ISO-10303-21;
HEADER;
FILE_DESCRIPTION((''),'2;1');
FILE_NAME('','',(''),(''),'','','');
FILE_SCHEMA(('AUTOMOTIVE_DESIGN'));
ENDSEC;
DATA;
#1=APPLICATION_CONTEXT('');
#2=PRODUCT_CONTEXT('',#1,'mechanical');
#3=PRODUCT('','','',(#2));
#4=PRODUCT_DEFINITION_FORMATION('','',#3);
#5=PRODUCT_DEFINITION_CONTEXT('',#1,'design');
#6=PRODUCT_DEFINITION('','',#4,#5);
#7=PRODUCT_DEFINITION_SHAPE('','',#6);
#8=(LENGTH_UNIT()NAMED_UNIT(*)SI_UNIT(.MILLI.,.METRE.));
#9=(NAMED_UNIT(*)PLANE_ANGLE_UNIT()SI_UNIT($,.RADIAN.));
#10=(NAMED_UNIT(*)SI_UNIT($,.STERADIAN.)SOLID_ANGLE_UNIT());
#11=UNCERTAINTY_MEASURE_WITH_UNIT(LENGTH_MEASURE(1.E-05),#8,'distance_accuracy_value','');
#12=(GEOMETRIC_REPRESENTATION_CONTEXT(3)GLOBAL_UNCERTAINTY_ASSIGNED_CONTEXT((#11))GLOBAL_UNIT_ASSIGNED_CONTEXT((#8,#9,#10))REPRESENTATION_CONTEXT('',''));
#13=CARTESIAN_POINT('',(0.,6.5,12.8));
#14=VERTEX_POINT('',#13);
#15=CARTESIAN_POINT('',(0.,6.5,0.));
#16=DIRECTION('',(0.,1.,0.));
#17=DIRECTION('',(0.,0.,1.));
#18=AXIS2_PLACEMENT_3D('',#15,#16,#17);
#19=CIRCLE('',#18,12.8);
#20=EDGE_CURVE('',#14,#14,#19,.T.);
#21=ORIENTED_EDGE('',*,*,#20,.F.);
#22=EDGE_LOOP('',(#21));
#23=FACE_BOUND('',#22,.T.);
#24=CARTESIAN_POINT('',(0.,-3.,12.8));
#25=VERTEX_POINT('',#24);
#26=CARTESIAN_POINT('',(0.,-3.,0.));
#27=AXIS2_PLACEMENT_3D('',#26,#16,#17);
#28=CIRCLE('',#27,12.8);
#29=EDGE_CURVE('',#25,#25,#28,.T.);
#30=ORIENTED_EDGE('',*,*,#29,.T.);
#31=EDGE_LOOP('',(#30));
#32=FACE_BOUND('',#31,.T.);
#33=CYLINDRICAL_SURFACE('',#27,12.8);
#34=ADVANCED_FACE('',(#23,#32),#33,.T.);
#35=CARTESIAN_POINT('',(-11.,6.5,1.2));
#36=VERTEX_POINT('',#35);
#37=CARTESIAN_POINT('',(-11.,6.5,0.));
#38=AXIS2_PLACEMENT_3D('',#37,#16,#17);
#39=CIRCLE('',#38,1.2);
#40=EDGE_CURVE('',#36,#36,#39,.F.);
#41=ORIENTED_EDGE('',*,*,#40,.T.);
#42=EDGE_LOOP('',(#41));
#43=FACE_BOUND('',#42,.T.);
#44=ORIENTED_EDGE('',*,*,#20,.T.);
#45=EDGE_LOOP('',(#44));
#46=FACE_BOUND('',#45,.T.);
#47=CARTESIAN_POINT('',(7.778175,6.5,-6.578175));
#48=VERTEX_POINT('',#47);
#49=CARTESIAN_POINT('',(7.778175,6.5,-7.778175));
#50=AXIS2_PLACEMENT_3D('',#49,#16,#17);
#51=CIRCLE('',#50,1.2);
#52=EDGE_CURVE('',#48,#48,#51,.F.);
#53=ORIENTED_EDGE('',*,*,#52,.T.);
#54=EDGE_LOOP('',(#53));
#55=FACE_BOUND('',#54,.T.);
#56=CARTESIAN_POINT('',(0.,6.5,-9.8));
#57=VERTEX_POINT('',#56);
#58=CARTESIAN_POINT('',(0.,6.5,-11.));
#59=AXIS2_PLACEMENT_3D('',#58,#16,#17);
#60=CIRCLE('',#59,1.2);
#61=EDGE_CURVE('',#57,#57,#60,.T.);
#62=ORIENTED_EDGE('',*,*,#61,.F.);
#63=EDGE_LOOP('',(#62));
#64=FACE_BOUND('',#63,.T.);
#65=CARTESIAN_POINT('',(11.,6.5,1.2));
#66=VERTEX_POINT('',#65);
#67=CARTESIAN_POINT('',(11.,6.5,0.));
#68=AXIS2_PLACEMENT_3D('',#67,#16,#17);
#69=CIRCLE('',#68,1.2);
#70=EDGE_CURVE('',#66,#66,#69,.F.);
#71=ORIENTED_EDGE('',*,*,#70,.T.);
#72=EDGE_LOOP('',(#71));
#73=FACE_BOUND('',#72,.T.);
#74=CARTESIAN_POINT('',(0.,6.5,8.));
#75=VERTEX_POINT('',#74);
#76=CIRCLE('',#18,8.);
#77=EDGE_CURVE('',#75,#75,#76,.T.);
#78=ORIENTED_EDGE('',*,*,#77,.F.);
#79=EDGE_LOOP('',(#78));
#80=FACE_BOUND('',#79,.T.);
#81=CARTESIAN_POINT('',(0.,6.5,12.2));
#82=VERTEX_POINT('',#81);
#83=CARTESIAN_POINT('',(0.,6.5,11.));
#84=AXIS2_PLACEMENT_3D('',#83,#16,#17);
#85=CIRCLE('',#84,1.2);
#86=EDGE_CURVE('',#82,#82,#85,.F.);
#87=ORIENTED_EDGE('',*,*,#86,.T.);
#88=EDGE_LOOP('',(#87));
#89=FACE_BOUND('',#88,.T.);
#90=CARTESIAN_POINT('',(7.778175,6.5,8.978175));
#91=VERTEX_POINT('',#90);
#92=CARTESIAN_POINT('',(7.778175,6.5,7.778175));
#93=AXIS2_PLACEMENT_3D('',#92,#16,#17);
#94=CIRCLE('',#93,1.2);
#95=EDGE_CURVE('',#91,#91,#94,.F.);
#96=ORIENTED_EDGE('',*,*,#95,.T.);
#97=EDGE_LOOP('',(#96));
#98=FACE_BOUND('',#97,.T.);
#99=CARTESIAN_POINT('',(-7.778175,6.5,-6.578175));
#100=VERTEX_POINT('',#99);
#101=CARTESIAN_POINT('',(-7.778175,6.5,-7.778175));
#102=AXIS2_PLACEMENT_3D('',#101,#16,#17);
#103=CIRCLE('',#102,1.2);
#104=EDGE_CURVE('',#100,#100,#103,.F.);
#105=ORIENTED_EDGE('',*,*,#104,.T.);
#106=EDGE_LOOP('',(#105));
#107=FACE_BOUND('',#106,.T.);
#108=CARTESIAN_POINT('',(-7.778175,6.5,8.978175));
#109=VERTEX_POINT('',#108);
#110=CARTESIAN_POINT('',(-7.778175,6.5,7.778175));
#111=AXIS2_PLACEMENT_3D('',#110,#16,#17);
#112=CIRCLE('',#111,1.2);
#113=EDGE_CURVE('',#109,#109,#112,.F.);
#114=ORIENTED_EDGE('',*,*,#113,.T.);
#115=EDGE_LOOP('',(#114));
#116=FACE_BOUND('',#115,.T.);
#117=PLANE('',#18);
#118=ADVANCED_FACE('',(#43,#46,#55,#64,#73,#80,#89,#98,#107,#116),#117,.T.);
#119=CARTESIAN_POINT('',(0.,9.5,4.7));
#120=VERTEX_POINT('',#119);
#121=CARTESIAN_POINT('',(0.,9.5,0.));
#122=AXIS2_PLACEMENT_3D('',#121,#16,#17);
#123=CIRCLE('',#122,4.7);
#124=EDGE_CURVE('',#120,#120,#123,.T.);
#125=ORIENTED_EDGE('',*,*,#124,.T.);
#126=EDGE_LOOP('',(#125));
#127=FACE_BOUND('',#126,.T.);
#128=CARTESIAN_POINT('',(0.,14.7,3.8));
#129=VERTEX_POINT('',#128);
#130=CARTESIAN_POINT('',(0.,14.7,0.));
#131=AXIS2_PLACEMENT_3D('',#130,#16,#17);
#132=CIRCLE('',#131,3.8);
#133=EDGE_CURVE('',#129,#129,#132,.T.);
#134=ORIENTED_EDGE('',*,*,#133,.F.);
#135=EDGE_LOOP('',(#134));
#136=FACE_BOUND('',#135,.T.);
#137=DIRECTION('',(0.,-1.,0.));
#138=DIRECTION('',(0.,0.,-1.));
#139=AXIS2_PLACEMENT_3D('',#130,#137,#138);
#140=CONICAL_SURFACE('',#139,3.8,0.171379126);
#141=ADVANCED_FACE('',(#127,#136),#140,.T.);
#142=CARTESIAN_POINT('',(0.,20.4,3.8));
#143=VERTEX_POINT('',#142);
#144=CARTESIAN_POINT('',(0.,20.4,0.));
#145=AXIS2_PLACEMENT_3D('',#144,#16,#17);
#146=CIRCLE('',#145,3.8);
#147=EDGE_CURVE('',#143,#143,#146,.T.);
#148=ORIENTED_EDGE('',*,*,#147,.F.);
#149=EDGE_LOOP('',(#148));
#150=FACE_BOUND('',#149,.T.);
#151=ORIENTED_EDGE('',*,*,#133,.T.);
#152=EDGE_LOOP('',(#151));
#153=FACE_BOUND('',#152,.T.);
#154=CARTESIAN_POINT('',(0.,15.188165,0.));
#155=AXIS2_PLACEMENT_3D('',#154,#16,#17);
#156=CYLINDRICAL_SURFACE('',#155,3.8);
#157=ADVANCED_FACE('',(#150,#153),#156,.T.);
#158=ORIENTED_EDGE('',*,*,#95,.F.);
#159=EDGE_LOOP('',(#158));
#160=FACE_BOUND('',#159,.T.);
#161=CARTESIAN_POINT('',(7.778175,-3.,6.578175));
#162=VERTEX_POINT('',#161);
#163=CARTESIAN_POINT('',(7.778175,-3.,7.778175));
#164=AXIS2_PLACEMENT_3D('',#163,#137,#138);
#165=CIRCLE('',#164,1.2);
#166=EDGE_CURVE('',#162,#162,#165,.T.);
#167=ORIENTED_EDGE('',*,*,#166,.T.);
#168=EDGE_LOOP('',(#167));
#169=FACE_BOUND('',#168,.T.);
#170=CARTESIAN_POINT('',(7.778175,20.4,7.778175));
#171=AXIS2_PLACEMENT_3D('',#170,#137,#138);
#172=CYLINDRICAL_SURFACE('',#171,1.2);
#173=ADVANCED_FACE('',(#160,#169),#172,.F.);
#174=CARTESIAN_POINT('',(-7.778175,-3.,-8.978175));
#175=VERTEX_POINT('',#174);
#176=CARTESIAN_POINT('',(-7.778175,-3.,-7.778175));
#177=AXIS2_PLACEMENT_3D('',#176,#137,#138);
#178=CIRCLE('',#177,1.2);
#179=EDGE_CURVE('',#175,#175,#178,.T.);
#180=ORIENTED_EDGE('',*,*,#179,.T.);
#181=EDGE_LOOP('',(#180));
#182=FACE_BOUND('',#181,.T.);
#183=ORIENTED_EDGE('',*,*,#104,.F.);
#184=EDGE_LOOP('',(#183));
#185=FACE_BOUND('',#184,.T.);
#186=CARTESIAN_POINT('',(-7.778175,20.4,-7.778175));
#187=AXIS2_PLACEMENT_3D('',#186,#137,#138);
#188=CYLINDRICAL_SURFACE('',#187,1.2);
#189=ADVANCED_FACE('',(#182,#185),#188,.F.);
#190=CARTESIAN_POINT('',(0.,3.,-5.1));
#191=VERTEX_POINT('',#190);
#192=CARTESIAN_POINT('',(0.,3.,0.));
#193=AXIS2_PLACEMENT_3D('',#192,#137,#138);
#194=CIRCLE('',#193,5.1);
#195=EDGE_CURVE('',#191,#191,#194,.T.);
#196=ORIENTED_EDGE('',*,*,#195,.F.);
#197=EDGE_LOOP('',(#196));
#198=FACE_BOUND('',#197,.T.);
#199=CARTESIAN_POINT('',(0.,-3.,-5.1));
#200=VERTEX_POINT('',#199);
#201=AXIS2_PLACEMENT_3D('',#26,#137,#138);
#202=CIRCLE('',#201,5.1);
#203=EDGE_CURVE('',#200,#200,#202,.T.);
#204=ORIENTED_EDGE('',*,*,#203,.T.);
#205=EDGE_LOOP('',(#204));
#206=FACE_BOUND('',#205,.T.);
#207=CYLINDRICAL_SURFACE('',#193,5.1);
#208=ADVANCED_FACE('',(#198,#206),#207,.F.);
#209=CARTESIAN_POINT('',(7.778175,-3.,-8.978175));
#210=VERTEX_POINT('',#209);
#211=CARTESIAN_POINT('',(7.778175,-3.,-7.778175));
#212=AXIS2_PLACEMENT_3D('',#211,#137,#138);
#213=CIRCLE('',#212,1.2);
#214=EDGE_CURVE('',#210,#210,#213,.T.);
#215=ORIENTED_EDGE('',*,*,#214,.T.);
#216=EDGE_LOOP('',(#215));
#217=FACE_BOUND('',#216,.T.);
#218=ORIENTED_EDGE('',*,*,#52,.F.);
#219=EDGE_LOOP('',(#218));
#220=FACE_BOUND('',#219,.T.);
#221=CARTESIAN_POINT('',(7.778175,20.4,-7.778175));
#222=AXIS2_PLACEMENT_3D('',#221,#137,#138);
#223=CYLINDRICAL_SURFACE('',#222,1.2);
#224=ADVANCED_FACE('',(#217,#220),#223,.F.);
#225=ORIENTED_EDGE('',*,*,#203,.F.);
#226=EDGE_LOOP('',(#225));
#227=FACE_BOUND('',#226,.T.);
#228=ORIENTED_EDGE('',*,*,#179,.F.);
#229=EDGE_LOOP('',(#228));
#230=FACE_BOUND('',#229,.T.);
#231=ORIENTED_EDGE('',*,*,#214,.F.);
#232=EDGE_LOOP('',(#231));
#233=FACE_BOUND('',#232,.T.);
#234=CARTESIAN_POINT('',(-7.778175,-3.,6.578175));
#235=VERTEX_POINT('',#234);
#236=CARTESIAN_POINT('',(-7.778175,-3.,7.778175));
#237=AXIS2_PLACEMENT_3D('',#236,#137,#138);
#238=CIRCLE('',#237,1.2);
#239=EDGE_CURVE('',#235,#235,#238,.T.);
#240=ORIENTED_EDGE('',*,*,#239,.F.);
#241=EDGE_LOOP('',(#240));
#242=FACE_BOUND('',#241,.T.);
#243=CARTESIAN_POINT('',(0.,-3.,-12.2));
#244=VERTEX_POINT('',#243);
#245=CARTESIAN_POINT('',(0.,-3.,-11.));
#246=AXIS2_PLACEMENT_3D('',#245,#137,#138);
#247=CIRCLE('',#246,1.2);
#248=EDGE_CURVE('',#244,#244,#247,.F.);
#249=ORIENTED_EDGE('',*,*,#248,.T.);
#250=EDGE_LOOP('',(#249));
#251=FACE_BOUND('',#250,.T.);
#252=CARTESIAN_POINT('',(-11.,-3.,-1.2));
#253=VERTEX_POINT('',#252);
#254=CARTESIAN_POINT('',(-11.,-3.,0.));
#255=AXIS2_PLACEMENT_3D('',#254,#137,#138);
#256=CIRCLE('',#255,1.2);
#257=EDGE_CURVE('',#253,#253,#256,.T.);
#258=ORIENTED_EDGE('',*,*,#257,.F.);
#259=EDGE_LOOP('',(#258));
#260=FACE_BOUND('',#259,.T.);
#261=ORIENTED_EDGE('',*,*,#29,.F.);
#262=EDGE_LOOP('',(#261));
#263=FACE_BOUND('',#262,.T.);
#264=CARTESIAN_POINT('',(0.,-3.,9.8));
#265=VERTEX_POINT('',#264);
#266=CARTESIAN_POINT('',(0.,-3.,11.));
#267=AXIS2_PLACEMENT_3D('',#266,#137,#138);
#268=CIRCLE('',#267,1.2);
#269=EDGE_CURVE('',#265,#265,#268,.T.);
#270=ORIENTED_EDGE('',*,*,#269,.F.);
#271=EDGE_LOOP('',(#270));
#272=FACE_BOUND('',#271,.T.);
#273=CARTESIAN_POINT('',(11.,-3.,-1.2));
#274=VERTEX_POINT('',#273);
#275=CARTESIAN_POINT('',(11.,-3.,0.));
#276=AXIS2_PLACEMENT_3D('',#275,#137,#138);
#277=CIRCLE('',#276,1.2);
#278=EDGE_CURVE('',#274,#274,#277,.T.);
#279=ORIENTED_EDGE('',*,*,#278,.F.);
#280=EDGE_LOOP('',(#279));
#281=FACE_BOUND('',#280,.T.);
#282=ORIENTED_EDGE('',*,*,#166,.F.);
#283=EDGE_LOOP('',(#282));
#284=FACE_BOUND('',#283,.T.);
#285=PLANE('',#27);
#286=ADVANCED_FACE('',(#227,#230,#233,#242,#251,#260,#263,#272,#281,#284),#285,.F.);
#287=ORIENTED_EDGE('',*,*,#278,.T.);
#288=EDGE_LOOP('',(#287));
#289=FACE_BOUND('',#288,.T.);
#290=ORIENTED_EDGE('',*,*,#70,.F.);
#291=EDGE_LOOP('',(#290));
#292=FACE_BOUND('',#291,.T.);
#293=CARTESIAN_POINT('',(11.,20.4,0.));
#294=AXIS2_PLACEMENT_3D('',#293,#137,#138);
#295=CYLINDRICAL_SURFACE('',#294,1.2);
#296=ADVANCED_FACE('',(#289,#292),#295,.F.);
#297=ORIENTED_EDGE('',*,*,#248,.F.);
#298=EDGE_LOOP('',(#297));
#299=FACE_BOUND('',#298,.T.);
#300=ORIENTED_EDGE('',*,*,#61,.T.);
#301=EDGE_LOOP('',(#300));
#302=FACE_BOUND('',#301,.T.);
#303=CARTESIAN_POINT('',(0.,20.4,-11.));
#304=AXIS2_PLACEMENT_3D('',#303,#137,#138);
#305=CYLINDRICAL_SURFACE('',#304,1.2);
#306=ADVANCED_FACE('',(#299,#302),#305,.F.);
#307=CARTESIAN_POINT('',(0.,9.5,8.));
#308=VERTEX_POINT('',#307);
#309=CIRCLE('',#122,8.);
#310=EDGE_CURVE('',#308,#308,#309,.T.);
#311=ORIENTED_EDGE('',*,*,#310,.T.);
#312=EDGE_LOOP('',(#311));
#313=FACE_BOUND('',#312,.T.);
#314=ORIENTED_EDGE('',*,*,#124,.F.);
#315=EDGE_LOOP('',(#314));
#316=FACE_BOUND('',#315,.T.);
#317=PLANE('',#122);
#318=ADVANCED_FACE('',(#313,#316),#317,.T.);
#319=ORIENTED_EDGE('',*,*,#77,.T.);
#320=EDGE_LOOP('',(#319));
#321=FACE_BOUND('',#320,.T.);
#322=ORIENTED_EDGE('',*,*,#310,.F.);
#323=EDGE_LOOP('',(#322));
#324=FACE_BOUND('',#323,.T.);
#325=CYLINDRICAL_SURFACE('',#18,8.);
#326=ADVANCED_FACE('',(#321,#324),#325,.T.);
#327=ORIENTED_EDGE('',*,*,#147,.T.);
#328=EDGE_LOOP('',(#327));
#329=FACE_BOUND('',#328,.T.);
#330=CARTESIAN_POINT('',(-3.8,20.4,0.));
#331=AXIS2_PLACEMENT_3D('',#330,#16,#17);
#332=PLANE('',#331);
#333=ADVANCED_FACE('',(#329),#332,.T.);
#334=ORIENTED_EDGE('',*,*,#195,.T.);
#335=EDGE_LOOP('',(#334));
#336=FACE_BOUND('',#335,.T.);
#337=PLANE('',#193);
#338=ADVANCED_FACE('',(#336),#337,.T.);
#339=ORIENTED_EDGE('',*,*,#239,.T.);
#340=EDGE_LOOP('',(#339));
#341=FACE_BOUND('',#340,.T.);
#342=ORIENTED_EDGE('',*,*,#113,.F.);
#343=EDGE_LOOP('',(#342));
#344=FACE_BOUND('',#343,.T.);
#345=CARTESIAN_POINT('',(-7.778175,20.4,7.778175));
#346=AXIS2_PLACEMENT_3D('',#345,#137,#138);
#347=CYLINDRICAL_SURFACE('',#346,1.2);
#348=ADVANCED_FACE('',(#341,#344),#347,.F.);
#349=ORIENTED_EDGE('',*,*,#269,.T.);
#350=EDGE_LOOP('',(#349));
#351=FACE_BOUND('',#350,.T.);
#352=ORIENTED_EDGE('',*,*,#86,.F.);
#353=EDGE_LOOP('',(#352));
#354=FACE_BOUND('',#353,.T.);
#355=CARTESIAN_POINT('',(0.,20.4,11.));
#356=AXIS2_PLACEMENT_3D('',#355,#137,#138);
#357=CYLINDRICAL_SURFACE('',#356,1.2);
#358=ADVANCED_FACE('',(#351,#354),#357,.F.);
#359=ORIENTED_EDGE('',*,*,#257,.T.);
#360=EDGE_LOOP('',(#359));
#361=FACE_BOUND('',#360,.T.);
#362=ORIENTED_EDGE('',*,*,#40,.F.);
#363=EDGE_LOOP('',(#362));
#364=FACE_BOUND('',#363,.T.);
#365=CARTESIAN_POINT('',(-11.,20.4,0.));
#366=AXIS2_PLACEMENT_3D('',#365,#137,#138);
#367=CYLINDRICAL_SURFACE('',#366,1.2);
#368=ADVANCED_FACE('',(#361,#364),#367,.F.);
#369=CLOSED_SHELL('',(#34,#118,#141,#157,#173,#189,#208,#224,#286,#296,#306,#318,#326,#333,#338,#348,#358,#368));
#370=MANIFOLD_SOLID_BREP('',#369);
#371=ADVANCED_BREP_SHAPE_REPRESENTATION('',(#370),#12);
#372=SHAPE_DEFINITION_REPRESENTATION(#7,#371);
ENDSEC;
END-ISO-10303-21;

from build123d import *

# Parameters (mm, degrees)
SKETCH_1_R           = 12.8
EXTRUDE_1_DEPTH      = 9.5
EXTRUDE_1_DEPTH_BACK = 3
SKETCH_24_R          = 1.2
CUT_EXTRUDE_1_DEPTH  = 24.4
SKETCH_25_R          = 5.1
CUT_EXTRUDE_2_DEPTH  = 6
SKETCH_26_R          = 12.8
SKETCH_26_R_2        = 8
CUT_EXTRUDE_4_DEPTH  = 3


with BuildPart() as part:
    # 스케치1 → 보스-돌출1 (new body, two sides)
    with BuildSketch(Plane(origin=(0, 0, 0), x_dir=(1, 0, 0), z_dir=(0, 1, 0))) as extrude_1_sk:
        Circle(SKETCH_1_R)
    extrude(amount=EXTRUDE_1_DEPTH)
    extrude(extrude_1_sk.sketch, amount=-EXTRUDE_1_DEPTH_BACK)

    # 스케치18 → 회전1 (revolve)
    with BuildSketch(Plane.XY):
        Polygon((0, 9.5), (-4.7, 9.5), (-3.8, 14.7), (-3.8, 20.4), (0, 20.4), (0, 14.7), align=None)
    revolve(axis=Axis((0, 15.188164867, 0), (0, -1, 0)))

    # 스케치24 → 컷-돌출1 (cut, through all)
    with BuildSketch(Plane.XZ.offset(3)):
        with Locations((0, 11)):
            Circle(SKETCH_24_R)
        with Locations((7.778174593, 7.778174593)):
            Circle(SKETCH_24_R)
        with Locations((11, 0)):
            Circle(SKETCH_24_R)
        with Locations((0, -11)):
            Circle(SKETCH_24_R)
        with Locations((-7.778174593, -7.778174593)):
            Circle(SKETCH_24_R)
        with Locations((-7.778174593, 7.778174593)):
            Circle(SKETCH_24_R)
        with Locations((7.778174593, -7.778174593)):
            Circle(SKETCH_24_R)
        with Locations((-11, 0)):
            Circle(SKETCH_24_R)
    extrude(amount=-CUT_EXTRUDE_1_DEPTH, mode=Mode.SUBTRACT)

    # 스케치25 → 컷-돌출2 (cut)
    with BuildSketch(Plane.XZ.offset(3)):
        Circle(SKETCH_25_R)
    extrude(amount=-CUT_EXTRUDE_2_DEPTH, mode=Mode.SUBTRACT)

    # 스케치26 → 컷-돌출4 (cut)
    with BuildSketch(Plane(origin=(0, 9.5, 0), x_dir=(1, 0, 0), z_dir=(0, 1, 0))):
        Circle(SKETCH_26_R)
        Circle(SKETCH_26_R_2, mode=Mode.SUBTRACT)
    extrude(amount=-CUT_EXTRUDE_4_DEPTH, mode=Mode.SUBTRACT)


solid = part.part
